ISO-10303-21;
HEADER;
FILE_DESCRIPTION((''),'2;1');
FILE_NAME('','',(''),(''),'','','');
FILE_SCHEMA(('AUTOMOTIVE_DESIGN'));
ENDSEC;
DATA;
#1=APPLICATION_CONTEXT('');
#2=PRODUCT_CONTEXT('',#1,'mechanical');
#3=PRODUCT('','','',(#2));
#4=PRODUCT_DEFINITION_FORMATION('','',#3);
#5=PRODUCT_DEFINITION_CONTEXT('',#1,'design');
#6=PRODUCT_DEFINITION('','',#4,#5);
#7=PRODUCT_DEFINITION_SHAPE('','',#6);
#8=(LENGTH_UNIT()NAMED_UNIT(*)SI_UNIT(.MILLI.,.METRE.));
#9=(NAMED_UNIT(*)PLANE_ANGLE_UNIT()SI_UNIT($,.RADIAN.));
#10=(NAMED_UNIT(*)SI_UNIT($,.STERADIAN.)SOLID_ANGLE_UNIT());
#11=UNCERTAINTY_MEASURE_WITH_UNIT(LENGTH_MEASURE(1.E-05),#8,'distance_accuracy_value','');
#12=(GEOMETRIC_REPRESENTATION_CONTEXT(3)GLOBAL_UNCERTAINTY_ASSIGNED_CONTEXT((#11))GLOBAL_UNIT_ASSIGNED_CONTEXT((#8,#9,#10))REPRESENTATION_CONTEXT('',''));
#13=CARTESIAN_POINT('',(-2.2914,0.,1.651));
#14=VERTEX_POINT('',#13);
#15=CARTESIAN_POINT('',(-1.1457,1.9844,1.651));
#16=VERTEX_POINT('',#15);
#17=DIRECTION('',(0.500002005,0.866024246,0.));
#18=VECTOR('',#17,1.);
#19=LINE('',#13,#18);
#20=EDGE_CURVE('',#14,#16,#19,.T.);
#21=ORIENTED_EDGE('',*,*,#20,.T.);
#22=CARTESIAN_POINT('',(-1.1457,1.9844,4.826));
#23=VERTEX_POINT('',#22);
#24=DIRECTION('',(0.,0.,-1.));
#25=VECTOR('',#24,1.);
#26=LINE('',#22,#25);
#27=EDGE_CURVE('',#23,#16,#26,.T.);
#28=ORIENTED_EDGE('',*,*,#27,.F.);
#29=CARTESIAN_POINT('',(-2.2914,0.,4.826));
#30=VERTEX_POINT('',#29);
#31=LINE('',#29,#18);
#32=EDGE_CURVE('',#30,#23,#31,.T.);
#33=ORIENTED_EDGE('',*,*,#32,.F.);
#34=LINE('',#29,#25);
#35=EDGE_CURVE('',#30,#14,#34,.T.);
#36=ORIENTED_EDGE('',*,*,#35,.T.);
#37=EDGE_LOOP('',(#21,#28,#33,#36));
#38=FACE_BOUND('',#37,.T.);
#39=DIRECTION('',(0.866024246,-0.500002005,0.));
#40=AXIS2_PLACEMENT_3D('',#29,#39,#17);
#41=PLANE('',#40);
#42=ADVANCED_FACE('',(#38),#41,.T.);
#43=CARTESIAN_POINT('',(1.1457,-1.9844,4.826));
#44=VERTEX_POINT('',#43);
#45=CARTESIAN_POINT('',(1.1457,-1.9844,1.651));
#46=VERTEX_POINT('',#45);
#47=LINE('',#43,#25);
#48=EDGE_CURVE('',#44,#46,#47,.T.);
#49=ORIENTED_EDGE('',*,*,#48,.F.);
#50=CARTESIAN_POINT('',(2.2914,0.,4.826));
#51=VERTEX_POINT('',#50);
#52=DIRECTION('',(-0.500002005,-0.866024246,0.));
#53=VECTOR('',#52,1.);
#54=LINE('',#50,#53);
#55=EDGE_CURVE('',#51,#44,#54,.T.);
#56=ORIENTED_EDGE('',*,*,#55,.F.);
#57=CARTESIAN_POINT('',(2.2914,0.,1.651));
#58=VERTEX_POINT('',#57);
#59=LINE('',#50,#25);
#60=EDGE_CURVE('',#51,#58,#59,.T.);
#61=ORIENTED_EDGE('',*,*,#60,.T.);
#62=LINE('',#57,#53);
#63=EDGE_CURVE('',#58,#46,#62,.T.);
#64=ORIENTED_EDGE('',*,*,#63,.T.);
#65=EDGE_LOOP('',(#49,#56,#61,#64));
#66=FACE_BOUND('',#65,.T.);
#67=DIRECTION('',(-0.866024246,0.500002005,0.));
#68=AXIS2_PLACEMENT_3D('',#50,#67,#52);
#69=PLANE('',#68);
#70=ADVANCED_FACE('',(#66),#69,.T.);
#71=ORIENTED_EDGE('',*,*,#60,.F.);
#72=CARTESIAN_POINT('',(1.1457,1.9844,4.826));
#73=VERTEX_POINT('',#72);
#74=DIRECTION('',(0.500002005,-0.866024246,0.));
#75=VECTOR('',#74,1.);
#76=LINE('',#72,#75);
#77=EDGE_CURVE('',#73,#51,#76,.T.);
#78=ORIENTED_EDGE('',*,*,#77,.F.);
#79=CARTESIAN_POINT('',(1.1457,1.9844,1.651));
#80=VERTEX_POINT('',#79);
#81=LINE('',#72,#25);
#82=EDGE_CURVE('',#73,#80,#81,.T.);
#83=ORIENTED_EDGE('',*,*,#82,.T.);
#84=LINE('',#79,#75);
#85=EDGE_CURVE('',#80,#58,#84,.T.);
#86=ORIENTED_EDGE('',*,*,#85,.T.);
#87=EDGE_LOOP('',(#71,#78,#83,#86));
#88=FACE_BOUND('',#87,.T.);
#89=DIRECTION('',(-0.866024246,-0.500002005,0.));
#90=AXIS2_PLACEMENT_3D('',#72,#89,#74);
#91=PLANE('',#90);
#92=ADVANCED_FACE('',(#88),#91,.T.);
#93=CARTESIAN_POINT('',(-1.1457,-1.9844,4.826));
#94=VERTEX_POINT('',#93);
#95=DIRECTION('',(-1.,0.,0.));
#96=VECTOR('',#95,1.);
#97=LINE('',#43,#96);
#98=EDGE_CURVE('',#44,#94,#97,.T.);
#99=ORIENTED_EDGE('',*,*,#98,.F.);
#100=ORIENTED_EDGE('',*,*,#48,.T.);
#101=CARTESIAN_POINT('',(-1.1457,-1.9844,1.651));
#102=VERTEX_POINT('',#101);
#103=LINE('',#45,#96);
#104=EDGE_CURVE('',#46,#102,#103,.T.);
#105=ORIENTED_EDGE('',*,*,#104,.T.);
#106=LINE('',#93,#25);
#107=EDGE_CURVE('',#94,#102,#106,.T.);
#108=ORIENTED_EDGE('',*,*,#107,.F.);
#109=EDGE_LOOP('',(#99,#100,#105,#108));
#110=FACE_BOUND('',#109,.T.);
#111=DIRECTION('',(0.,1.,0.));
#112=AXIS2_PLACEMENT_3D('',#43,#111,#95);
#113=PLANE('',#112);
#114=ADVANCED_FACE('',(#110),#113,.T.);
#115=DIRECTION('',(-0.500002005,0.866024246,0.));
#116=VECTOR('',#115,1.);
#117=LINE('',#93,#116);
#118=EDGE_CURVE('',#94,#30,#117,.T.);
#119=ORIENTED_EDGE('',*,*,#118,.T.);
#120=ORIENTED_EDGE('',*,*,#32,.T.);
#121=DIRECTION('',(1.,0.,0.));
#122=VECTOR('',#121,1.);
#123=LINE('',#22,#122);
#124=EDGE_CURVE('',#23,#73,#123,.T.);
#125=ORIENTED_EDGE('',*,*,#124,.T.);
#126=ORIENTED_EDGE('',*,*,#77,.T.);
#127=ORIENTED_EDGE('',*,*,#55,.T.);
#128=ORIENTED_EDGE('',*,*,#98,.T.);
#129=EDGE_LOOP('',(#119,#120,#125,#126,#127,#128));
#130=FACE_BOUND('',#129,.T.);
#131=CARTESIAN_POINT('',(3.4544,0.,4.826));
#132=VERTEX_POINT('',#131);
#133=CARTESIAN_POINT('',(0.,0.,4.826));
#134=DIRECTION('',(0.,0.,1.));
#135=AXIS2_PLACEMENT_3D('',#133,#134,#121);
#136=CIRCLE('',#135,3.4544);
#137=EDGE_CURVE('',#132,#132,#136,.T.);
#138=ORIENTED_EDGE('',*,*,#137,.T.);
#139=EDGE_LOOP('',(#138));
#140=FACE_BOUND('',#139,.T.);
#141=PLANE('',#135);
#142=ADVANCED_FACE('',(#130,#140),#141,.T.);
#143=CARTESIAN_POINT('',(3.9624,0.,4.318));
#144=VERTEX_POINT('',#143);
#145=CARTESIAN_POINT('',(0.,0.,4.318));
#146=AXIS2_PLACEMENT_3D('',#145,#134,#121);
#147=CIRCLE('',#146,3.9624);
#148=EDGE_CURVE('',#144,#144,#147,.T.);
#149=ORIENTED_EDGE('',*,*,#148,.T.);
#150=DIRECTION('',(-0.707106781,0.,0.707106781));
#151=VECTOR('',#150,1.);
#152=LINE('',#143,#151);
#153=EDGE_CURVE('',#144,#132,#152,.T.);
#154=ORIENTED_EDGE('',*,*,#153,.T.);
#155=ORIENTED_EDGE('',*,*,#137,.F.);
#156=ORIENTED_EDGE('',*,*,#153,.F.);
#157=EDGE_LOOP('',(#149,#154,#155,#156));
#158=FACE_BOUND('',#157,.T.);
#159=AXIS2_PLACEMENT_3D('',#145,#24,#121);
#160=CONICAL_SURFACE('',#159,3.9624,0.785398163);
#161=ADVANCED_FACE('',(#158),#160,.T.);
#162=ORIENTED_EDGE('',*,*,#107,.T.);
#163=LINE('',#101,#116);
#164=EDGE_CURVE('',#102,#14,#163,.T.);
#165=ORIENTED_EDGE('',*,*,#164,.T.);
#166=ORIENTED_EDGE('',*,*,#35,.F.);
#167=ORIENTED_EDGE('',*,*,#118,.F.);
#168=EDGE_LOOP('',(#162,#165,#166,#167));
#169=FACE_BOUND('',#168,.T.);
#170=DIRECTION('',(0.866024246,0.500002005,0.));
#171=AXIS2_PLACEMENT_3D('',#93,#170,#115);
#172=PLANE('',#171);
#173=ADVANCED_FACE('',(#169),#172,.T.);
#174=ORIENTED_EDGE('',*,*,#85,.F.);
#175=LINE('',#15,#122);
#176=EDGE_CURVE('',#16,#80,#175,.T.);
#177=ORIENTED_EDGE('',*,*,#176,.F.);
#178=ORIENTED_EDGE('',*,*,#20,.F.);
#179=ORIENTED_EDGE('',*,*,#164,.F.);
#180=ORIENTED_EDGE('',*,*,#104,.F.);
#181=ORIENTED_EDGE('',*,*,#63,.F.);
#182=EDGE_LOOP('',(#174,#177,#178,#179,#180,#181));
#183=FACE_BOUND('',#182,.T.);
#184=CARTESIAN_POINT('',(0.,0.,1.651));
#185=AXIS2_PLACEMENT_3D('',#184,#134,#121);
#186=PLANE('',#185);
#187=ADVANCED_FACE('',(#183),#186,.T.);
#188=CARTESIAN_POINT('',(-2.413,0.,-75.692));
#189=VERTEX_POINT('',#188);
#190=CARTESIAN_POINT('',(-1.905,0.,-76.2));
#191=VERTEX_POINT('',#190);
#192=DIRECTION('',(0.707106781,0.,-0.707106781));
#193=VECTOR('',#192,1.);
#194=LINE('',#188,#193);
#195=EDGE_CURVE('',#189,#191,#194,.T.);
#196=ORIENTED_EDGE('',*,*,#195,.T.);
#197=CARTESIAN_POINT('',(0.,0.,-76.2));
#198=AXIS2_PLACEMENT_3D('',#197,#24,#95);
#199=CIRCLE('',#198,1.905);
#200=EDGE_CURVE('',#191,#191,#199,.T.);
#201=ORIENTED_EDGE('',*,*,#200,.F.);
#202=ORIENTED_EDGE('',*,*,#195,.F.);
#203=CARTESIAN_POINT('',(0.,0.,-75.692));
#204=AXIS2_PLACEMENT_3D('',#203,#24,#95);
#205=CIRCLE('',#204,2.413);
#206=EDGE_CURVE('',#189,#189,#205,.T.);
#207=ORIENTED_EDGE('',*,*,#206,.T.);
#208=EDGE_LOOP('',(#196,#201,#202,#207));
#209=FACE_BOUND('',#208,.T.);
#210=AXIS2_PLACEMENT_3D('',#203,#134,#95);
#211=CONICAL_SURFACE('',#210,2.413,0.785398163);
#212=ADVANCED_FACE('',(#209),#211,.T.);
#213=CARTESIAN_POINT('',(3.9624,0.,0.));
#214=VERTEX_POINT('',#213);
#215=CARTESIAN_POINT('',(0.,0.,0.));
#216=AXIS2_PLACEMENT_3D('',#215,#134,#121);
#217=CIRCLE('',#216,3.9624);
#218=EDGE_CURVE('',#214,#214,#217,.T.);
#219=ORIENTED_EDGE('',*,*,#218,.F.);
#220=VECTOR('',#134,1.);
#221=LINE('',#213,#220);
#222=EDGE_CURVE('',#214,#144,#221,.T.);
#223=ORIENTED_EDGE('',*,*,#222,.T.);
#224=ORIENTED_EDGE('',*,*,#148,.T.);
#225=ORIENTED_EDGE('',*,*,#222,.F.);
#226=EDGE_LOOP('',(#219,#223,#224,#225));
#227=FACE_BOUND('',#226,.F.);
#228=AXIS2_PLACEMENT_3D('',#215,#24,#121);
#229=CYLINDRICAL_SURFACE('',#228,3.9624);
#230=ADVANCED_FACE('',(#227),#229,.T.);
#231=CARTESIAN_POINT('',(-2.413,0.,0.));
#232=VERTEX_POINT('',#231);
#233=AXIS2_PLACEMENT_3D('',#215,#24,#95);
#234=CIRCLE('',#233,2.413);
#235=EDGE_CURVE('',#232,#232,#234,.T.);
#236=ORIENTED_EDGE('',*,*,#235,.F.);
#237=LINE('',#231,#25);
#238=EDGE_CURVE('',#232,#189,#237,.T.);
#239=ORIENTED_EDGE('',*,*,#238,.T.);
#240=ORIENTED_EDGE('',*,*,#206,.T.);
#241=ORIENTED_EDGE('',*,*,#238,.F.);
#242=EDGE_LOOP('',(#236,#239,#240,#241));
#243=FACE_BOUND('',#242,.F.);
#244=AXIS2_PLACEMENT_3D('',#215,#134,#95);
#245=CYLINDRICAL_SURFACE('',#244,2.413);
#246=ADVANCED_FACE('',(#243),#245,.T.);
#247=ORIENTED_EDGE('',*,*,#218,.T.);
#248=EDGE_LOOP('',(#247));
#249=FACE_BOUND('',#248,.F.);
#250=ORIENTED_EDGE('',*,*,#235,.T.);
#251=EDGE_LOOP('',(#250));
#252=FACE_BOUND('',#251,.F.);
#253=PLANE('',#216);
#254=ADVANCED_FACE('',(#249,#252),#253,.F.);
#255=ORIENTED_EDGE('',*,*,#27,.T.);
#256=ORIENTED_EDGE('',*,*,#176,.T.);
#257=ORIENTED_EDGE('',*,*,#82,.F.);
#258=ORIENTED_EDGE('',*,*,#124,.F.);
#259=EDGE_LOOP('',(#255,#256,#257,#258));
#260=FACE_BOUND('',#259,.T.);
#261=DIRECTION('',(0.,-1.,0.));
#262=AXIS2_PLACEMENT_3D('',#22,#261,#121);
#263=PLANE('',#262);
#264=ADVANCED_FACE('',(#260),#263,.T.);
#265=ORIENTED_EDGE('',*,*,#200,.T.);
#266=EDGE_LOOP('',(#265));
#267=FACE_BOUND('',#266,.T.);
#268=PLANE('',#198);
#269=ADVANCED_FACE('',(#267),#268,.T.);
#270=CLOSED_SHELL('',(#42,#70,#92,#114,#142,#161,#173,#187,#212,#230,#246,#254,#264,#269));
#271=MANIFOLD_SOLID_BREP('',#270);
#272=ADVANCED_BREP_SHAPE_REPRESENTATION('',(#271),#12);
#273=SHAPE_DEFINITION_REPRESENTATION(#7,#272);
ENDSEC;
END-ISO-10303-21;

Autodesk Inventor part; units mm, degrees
ref_plane "YZ Plane" through (0, 0, 0) normal (1, 0, 0) x (0, 1, 0)
ref_plane "XZ Plane" through (0, 0, 0) normal (0, 1, 0) x (-1, 0, 0)
ref_plane "XY Plane" through (0, 0, 0) normal (0, 0, 1) x (1, 0, 0)
sketch "Sketch1" plane through (0, 0, 0) normal (0, 0, 1) x (1, 0, 0)
  circle A0 centre (0, 0) radius 3.9624
  dimension "d0" = 7.9248
extrude "Extrusion1" add sketch "Sketch1" along normal blind 4.826
sketch "Sketch2" plane through (0, 0, 0) normal (0, 0, -1) x (-1, 0, 0)
  circle A0 centre (0, 0) radius 3.9624 projected
  circle A1 centre (0, 0) radius 2.413
  dimension "d3" = 4.826
extrude "Extrusion2" add sketch "Sketch2" along normal blind 76.2 contours A1
sketch "Sketch3" plane through (0, 0, 4.826) normal (0, 0, 1) x (1, 0, 0)
  circle A0 centre (0, 0) radius 3.9624 projected
  line L0 (-1.1457, 1.9844) -> (1.1457, 1.9844)
  line L1 (1.1457, 1.9844) -> (2.2914, 0)
  line L2 (2.2914, 0) -> (1.1457, -1.9844)
  line L3 (1.1457, -1.9844) -> (-1.1457, -1.9844)
  line L4 (-1.1457, -1.9844) -> (-2.2914, 0)
  line L5 (-2.2914, 0) -> (-1.1457, 1.9844)
  dimension "d6" = 3.9688
extrude "Extrusion3" cut sketch "Sketch3" against normal blind 3.175 contours L0 L1 L2 L3 L4 L5
thread "Thread1" size "10-32 UNF" class "2A" standard "ANSI Unified Screw Threads" length 25.4
chamfer "Chamfer1" distance 0.508 angle 45 1 edges at (2.413, 0, -76.2)
chamfer "Chamfer2" distance 0.508 angle 45 1 edges at (-3.9624, 0, 4.826)
properties part number "10-32 x1000" material "Steel"
